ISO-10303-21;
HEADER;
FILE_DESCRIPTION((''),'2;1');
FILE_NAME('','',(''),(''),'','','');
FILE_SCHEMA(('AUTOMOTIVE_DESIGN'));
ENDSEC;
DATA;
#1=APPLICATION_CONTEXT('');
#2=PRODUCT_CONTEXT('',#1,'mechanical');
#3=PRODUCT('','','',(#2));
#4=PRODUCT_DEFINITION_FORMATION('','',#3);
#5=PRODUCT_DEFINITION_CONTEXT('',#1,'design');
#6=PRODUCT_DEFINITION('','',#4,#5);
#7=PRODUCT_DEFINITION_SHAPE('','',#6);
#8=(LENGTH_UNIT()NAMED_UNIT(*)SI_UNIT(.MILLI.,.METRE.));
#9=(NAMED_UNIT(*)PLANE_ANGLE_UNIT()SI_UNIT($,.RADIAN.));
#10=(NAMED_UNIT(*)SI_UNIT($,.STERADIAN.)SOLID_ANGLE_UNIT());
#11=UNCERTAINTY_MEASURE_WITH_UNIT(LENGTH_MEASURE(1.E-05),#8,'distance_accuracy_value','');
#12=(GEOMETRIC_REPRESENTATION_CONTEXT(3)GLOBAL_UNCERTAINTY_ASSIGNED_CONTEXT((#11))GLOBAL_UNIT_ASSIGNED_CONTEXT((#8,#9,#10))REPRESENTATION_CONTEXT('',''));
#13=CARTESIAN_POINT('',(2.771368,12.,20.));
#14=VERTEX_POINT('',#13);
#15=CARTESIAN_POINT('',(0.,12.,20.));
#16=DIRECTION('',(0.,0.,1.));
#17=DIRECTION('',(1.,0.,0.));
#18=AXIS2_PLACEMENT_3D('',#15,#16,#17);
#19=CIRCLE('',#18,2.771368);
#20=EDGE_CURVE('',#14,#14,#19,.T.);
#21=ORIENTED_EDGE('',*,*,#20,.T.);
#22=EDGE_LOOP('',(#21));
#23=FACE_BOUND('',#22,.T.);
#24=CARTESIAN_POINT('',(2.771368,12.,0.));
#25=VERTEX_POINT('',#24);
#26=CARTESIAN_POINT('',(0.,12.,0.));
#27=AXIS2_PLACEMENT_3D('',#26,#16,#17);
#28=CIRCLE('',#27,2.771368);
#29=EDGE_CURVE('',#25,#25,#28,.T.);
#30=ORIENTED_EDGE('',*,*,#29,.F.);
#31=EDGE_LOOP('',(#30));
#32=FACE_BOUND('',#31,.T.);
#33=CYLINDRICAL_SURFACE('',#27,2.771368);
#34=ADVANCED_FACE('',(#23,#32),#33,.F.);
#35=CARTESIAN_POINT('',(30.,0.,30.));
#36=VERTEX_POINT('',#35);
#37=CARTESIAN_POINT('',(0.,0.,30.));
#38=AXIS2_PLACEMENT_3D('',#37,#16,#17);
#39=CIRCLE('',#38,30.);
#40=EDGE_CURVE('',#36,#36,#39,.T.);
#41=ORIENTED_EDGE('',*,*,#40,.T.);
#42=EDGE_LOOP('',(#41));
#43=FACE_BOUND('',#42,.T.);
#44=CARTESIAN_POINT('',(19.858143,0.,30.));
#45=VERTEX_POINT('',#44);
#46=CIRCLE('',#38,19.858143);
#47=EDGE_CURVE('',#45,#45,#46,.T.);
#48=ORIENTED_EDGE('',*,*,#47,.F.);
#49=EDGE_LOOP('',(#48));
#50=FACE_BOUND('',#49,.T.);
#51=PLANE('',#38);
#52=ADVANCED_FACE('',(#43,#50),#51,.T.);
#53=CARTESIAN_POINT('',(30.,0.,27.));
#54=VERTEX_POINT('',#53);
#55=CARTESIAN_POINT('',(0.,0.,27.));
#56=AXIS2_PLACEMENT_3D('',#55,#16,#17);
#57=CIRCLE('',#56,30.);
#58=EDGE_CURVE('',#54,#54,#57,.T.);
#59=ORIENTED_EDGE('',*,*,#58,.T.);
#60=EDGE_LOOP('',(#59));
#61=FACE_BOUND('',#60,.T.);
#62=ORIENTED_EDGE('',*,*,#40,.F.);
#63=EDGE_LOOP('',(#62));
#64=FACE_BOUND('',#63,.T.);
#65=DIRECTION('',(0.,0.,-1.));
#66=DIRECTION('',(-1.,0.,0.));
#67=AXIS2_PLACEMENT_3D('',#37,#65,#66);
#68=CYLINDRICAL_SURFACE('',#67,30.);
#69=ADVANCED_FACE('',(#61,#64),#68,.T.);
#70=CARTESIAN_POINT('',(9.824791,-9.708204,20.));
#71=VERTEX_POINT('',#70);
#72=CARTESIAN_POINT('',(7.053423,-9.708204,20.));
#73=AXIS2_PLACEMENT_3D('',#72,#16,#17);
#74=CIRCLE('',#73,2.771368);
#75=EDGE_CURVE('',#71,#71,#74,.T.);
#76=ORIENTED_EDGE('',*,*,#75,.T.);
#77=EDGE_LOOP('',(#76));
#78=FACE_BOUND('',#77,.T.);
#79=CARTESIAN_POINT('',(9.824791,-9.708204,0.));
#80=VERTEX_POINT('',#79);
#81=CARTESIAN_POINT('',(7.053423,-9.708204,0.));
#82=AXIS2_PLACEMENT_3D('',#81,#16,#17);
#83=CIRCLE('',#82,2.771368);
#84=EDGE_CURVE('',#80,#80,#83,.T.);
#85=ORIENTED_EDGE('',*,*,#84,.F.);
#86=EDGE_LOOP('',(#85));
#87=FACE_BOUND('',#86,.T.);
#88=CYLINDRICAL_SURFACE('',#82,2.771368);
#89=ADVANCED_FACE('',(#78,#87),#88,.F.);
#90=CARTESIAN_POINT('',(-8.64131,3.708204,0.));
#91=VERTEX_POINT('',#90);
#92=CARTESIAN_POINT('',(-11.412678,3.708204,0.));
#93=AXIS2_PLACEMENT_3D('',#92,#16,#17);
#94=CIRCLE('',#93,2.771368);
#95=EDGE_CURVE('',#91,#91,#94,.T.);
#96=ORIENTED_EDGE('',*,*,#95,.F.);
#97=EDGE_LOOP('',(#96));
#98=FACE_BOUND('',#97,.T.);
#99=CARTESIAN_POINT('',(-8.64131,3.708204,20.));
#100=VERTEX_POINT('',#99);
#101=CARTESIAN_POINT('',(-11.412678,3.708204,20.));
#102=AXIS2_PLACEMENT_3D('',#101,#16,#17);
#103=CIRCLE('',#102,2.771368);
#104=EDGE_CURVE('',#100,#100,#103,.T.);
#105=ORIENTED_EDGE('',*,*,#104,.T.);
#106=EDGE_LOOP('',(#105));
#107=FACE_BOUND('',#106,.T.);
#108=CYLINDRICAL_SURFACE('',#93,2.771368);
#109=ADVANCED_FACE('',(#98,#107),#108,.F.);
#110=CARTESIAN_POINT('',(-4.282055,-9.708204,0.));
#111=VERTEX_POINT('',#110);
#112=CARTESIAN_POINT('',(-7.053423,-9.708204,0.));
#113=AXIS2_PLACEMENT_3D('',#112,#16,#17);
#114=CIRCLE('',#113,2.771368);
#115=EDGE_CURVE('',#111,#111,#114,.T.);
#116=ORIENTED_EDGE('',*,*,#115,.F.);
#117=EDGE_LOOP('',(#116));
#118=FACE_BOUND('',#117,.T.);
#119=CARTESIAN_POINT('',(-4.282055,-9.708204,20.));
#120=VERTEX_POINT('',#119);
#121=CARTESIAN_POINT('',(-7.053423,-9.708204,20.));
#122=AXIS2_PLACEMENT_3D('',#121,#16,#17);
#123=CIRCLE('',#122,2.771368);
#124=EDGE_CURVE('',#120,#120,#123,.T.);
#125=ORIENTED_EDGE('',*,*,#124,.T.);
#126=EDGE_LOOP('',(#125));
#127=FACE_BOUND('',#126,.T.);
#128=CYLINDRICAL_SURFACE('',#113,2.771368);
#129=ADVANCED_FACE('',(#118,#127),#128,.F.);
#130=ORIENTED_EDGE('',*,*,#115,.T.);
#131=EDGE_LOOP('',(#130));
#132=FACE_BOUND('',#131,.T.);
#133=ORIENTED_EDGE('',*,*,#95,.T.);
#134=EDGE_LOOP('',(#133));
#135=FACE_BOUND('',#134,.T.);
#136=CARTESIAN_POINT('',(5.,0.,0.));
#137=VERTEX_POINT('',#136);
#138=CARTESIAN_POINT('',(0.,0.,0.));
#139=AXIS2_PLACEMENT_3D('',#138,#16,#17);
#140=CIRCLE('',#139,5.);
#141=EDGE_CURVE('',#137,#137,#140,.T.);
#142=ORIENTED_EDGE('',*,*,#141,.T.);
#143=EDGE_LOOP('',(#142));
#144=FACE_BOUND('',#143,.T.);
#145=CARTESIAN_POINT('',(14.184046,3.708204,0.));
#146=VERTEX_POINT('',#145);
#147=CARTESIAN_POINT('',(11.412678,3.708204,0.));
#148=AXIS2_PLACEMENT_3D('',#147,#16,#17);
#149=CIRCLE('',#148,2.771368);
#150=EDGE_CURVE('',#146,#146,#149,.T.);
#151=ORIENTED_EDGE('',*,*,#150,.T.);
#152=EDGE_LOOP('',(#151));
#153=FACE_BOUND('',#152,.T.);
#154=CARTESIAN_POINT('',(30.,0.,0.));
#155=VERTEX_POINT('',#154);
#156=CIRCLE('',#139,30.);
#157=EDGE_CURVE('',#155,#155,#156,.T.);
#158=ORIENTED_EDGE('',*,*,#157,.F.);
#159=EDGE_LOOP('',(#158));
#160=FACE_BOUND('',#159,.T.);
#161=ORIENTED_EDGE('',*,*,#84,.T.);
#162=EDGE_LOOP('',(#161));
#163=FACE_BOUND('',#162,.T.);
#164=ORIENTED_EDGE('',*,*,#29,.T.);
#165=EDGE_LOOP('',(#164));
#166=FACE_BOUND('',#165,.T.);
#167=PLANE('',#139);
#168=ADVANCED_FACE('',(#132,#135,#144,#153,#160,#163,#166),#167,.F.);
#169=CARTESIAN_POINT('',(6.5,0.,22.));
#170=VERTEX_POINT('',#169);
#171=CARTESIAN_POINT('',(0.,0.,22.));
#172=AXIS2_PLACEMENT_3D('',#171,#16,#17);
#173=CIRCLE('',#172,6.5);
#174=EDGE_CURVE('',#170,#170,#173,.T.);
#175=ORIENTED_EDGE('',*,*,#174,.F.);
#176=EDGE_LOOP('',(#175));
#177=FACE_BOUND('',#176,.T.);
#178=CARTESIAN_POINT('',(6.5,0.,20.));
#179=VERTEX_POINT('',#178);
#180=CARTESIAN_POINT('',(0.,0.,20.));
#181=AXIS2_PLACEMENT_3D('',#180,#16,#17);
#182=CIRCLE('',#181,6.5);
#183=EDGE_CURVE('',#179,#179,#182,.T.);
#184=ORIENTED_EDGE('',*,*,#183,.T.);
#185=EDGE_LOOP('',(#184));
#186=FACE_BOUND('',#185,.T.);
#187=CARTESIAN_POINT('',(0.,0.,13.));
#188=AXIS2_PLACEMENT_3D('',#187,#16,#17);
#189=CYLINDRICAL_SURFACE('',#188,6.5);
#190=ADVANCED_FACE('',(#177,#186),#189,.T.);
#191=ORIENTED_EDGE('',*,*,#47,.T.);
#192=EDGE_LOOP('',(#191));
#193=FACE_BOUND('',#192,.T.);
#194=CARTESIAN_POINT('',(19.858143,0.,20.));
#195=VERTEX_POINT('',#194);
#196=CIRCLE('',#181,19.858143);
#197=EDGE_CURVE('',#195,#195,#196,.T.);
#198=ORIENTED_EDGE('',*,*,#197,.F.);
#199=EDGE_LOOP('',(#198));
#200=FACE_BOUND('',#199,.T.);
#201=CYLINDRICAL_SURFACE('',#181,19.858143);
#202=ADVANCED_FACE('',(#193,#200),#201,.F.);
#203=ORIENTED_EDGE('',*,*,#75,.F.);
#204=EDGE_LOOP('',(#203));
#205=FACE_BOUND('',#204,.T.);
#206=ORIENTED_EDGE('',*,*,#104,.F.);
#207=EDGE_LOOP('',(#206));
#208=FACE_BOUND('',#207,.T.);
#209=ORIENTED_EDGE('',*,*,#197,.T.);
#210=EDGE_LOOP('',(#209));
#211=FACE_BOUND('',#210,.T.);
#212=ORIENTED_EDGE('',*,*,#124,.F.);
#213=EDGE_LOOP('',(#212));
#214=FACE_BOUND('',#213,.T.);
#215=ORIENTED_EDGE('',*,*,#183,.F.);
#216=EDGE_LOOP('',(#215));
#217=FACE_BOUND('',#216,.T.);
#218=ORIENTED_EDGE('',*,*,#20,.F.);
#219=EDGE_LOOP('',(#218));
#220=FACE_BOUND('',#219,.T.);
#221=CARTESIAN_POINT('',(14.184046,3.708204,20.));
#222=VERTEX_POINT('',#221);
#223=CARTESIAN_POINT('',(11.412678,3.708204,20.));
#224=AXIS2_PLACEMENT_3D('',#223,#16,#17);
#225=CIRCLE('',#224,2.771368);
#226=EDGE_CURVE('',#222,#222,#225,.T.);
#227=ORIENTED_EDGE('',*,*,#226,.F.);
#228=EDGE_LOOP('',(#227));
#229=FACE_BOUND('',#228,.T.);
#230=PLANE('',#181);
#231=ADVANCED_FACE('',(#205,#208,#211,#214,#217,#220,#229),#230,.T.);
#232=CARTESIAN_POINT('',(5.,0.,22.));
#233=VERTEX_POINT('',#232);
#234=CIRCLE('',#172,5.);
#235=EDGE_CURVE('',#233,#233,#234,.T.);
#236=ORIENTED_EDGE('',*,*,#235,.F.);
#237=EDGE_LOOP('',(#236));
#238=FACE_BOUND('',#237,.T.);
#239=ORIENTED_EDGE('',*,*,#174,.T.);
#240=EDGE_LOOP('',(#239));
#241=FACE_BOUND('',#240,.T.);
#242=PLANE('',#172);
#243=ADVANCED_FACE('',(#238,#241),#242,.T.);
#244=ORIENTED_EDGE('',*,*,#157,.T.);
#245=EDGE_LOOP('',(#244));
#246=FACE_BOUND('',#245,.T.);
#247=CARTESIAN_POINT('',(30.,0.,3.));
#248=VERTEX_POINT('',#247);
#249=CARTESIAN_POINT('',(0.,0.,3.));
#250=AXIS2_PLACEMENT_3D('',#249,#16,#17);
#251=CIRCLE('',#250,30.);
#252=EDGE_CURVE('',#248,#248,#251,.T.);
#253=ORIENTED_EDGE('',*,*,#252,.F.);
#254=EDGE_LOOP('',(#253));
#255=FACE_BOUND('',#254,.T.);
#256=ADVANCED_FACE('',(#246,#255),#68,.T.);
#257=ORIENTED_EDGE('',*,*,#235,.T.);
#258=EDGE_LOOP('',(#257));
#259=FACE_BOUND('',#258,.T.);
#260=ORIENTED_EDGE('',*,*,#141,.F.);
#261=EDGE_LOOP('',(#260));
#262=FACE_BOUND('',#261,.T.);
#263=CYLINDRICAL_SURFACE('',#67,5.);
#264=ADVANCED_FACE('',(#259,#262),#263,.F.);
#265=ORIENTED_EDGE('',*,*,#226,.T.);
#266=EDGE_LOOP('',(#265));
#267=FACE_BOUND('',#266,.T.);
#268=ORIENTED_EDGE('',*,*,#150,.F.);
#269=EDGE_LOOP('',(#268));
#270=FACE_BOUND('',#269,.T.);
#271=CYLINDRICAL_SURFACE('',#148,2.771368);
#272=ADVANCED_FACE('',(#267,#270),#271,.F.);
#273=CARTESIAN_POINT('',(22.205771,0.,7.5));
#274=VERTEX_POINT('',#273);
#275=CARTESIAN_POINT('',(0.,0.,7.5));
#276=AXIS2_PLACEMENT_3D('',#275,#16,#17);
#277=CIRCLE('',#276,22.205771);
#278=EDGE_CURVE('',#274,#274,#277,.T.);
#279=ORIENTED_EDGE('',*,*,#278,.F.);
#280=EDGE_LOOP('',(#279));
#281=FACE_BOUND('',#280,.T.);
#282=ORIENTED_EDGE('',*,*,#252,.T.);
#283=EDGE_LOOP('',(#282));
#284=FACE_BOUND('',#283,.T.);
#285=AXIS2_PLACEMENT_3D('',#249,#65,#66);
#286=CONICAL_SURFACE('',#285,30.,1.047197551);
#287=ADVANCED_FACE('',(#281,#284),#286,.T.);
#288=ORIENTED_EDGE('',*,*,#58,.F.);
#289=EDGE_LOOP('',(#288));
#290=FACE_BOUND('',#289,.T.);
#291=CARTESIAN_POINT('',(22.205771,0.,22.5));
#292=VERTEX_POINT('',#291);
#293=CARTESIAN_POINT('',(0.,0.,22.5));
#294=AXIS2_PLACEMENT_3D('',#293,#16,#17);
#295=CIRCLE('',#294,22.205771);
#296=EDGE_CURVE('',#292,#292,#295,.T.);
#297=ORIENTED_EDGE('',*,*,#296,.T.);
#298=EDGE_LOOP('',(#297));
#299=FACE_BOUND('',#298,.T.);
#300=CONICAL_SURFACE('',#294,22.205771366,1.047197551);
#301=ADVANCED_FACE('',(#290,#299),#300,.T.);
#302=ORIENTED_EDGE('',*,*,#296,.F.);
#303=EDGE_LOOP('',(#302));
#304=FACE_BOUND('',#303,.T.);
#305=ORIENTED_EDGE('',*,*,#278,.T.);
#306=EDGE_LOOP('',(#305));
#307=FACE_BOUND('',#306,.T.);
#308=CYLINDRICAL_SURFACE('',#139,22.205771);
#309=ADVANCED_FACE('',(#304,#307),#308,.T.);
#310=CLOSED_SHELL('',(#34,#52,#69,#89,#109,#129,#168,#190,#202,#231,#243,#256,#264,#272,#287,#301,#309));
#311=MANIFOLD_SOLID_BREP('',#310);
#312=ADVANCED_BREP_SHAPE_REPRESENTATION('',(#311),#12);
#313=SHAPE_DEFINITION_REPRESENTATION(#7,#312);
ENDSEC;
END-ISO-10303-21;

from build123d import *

# Parameters (mm, degrees)
SKETCH1_R                = 30
SKETCH1_R_2              = 5
BOSS_EXTRUDE3_DEPTH      = 30
SKETCH2_R                = 19.858143103
CUT_EXTRUDE1_DEPTH       = 10
SKETCH3_R                = 2.771368275
CUT_EXTRUDE2_DEPTH       = 21
SKETCH4_R                = 6.5
SKETCH4_R_2              = 5
BOSS_EXTRUDE4_DEPTH      = 2
BOSS_EXTRUDE4_DEPTH_BACK = 7


with BuildPart() as part:
    # Sketch1 → Boss-Extrude3 (new body)
    with BuildSketch(Plane.XY):
        Circle(SKETCH1_R)
        Circle(SKETCH1_R_2, mode=Mode.SUBTRACT)
    extrude(amount=BOSS_EXTRUDE3_DEPTH)

    # Sketch2 → Cut-Extrude1 (cut)
    with BuildSketch(Plane.XY.offset(30)):
        Circle(SKETCH2_R)
    cut_extrude1 = extrude(amount=-CUT_EXTRUDE1_DEPTH, mode=Mode.SUBTRACT)

    # Mirror1: Cut-Extrude1 across plane
    add(cut_extrude1.mirror(Plane.XY), mode=Mode.SUBTRACT)

    # Sketch3 → Cut-Extrude2 (cut, through all)
    with BuildSketch(Plane.XY.offset(20)):
        with Locations((0, 12)):
            Circle(SKETCH3_R)
        with Locations((11.412678196, 3.708203932)):
            Circle(SKETCH3_R)
        with Locations((7.053423028, -9.708203932)):
            Circle(SKETCH3_R)
        with Locations((-7.053423028, -9.708203932)):
            Circle(SKETCH3_R)
        with Locations((-11.412678196, 3.708203932)):
            Circle(SKETCH3_R)
    extrude(amount=-CUT_EXTRUDE2_DEPTH, mode=Mode.SUBTRACT)

    # Sketch4 → Boss-Extrude4 (add, two sides)
    with BuildSketch(Plane.XY.offset(20)) as boss_extrude4_sk:
        Circle(SKETCH4_R)
        Circle(SKETCH4_R_2, mode=Mode.SUBTRACT)
    extrude(amount=BOSS_EXTRUDE4_DEPTH)
    extrude(boss_extrude4_sk.sketch, amount=-BOSS_EXTRUDE4_DEPTH_BACK)

    # Sketch5 → Cut-Revolve1 (revolve, cut)
    with BuildSketch(Plane(origin=(0, 0, 0), x_dir=(1, 0, 0), z_dir=(0, 1, 0))):
        Polygon((30, -3), (22.205771366, -7.5), (22.205771366, -22.5), (30, -27), align=None)
    revolve(axis=Axis((0, 0, 0), (0, 0, -1)), mode=Mode.SUBTRACT)


solid = part.part
